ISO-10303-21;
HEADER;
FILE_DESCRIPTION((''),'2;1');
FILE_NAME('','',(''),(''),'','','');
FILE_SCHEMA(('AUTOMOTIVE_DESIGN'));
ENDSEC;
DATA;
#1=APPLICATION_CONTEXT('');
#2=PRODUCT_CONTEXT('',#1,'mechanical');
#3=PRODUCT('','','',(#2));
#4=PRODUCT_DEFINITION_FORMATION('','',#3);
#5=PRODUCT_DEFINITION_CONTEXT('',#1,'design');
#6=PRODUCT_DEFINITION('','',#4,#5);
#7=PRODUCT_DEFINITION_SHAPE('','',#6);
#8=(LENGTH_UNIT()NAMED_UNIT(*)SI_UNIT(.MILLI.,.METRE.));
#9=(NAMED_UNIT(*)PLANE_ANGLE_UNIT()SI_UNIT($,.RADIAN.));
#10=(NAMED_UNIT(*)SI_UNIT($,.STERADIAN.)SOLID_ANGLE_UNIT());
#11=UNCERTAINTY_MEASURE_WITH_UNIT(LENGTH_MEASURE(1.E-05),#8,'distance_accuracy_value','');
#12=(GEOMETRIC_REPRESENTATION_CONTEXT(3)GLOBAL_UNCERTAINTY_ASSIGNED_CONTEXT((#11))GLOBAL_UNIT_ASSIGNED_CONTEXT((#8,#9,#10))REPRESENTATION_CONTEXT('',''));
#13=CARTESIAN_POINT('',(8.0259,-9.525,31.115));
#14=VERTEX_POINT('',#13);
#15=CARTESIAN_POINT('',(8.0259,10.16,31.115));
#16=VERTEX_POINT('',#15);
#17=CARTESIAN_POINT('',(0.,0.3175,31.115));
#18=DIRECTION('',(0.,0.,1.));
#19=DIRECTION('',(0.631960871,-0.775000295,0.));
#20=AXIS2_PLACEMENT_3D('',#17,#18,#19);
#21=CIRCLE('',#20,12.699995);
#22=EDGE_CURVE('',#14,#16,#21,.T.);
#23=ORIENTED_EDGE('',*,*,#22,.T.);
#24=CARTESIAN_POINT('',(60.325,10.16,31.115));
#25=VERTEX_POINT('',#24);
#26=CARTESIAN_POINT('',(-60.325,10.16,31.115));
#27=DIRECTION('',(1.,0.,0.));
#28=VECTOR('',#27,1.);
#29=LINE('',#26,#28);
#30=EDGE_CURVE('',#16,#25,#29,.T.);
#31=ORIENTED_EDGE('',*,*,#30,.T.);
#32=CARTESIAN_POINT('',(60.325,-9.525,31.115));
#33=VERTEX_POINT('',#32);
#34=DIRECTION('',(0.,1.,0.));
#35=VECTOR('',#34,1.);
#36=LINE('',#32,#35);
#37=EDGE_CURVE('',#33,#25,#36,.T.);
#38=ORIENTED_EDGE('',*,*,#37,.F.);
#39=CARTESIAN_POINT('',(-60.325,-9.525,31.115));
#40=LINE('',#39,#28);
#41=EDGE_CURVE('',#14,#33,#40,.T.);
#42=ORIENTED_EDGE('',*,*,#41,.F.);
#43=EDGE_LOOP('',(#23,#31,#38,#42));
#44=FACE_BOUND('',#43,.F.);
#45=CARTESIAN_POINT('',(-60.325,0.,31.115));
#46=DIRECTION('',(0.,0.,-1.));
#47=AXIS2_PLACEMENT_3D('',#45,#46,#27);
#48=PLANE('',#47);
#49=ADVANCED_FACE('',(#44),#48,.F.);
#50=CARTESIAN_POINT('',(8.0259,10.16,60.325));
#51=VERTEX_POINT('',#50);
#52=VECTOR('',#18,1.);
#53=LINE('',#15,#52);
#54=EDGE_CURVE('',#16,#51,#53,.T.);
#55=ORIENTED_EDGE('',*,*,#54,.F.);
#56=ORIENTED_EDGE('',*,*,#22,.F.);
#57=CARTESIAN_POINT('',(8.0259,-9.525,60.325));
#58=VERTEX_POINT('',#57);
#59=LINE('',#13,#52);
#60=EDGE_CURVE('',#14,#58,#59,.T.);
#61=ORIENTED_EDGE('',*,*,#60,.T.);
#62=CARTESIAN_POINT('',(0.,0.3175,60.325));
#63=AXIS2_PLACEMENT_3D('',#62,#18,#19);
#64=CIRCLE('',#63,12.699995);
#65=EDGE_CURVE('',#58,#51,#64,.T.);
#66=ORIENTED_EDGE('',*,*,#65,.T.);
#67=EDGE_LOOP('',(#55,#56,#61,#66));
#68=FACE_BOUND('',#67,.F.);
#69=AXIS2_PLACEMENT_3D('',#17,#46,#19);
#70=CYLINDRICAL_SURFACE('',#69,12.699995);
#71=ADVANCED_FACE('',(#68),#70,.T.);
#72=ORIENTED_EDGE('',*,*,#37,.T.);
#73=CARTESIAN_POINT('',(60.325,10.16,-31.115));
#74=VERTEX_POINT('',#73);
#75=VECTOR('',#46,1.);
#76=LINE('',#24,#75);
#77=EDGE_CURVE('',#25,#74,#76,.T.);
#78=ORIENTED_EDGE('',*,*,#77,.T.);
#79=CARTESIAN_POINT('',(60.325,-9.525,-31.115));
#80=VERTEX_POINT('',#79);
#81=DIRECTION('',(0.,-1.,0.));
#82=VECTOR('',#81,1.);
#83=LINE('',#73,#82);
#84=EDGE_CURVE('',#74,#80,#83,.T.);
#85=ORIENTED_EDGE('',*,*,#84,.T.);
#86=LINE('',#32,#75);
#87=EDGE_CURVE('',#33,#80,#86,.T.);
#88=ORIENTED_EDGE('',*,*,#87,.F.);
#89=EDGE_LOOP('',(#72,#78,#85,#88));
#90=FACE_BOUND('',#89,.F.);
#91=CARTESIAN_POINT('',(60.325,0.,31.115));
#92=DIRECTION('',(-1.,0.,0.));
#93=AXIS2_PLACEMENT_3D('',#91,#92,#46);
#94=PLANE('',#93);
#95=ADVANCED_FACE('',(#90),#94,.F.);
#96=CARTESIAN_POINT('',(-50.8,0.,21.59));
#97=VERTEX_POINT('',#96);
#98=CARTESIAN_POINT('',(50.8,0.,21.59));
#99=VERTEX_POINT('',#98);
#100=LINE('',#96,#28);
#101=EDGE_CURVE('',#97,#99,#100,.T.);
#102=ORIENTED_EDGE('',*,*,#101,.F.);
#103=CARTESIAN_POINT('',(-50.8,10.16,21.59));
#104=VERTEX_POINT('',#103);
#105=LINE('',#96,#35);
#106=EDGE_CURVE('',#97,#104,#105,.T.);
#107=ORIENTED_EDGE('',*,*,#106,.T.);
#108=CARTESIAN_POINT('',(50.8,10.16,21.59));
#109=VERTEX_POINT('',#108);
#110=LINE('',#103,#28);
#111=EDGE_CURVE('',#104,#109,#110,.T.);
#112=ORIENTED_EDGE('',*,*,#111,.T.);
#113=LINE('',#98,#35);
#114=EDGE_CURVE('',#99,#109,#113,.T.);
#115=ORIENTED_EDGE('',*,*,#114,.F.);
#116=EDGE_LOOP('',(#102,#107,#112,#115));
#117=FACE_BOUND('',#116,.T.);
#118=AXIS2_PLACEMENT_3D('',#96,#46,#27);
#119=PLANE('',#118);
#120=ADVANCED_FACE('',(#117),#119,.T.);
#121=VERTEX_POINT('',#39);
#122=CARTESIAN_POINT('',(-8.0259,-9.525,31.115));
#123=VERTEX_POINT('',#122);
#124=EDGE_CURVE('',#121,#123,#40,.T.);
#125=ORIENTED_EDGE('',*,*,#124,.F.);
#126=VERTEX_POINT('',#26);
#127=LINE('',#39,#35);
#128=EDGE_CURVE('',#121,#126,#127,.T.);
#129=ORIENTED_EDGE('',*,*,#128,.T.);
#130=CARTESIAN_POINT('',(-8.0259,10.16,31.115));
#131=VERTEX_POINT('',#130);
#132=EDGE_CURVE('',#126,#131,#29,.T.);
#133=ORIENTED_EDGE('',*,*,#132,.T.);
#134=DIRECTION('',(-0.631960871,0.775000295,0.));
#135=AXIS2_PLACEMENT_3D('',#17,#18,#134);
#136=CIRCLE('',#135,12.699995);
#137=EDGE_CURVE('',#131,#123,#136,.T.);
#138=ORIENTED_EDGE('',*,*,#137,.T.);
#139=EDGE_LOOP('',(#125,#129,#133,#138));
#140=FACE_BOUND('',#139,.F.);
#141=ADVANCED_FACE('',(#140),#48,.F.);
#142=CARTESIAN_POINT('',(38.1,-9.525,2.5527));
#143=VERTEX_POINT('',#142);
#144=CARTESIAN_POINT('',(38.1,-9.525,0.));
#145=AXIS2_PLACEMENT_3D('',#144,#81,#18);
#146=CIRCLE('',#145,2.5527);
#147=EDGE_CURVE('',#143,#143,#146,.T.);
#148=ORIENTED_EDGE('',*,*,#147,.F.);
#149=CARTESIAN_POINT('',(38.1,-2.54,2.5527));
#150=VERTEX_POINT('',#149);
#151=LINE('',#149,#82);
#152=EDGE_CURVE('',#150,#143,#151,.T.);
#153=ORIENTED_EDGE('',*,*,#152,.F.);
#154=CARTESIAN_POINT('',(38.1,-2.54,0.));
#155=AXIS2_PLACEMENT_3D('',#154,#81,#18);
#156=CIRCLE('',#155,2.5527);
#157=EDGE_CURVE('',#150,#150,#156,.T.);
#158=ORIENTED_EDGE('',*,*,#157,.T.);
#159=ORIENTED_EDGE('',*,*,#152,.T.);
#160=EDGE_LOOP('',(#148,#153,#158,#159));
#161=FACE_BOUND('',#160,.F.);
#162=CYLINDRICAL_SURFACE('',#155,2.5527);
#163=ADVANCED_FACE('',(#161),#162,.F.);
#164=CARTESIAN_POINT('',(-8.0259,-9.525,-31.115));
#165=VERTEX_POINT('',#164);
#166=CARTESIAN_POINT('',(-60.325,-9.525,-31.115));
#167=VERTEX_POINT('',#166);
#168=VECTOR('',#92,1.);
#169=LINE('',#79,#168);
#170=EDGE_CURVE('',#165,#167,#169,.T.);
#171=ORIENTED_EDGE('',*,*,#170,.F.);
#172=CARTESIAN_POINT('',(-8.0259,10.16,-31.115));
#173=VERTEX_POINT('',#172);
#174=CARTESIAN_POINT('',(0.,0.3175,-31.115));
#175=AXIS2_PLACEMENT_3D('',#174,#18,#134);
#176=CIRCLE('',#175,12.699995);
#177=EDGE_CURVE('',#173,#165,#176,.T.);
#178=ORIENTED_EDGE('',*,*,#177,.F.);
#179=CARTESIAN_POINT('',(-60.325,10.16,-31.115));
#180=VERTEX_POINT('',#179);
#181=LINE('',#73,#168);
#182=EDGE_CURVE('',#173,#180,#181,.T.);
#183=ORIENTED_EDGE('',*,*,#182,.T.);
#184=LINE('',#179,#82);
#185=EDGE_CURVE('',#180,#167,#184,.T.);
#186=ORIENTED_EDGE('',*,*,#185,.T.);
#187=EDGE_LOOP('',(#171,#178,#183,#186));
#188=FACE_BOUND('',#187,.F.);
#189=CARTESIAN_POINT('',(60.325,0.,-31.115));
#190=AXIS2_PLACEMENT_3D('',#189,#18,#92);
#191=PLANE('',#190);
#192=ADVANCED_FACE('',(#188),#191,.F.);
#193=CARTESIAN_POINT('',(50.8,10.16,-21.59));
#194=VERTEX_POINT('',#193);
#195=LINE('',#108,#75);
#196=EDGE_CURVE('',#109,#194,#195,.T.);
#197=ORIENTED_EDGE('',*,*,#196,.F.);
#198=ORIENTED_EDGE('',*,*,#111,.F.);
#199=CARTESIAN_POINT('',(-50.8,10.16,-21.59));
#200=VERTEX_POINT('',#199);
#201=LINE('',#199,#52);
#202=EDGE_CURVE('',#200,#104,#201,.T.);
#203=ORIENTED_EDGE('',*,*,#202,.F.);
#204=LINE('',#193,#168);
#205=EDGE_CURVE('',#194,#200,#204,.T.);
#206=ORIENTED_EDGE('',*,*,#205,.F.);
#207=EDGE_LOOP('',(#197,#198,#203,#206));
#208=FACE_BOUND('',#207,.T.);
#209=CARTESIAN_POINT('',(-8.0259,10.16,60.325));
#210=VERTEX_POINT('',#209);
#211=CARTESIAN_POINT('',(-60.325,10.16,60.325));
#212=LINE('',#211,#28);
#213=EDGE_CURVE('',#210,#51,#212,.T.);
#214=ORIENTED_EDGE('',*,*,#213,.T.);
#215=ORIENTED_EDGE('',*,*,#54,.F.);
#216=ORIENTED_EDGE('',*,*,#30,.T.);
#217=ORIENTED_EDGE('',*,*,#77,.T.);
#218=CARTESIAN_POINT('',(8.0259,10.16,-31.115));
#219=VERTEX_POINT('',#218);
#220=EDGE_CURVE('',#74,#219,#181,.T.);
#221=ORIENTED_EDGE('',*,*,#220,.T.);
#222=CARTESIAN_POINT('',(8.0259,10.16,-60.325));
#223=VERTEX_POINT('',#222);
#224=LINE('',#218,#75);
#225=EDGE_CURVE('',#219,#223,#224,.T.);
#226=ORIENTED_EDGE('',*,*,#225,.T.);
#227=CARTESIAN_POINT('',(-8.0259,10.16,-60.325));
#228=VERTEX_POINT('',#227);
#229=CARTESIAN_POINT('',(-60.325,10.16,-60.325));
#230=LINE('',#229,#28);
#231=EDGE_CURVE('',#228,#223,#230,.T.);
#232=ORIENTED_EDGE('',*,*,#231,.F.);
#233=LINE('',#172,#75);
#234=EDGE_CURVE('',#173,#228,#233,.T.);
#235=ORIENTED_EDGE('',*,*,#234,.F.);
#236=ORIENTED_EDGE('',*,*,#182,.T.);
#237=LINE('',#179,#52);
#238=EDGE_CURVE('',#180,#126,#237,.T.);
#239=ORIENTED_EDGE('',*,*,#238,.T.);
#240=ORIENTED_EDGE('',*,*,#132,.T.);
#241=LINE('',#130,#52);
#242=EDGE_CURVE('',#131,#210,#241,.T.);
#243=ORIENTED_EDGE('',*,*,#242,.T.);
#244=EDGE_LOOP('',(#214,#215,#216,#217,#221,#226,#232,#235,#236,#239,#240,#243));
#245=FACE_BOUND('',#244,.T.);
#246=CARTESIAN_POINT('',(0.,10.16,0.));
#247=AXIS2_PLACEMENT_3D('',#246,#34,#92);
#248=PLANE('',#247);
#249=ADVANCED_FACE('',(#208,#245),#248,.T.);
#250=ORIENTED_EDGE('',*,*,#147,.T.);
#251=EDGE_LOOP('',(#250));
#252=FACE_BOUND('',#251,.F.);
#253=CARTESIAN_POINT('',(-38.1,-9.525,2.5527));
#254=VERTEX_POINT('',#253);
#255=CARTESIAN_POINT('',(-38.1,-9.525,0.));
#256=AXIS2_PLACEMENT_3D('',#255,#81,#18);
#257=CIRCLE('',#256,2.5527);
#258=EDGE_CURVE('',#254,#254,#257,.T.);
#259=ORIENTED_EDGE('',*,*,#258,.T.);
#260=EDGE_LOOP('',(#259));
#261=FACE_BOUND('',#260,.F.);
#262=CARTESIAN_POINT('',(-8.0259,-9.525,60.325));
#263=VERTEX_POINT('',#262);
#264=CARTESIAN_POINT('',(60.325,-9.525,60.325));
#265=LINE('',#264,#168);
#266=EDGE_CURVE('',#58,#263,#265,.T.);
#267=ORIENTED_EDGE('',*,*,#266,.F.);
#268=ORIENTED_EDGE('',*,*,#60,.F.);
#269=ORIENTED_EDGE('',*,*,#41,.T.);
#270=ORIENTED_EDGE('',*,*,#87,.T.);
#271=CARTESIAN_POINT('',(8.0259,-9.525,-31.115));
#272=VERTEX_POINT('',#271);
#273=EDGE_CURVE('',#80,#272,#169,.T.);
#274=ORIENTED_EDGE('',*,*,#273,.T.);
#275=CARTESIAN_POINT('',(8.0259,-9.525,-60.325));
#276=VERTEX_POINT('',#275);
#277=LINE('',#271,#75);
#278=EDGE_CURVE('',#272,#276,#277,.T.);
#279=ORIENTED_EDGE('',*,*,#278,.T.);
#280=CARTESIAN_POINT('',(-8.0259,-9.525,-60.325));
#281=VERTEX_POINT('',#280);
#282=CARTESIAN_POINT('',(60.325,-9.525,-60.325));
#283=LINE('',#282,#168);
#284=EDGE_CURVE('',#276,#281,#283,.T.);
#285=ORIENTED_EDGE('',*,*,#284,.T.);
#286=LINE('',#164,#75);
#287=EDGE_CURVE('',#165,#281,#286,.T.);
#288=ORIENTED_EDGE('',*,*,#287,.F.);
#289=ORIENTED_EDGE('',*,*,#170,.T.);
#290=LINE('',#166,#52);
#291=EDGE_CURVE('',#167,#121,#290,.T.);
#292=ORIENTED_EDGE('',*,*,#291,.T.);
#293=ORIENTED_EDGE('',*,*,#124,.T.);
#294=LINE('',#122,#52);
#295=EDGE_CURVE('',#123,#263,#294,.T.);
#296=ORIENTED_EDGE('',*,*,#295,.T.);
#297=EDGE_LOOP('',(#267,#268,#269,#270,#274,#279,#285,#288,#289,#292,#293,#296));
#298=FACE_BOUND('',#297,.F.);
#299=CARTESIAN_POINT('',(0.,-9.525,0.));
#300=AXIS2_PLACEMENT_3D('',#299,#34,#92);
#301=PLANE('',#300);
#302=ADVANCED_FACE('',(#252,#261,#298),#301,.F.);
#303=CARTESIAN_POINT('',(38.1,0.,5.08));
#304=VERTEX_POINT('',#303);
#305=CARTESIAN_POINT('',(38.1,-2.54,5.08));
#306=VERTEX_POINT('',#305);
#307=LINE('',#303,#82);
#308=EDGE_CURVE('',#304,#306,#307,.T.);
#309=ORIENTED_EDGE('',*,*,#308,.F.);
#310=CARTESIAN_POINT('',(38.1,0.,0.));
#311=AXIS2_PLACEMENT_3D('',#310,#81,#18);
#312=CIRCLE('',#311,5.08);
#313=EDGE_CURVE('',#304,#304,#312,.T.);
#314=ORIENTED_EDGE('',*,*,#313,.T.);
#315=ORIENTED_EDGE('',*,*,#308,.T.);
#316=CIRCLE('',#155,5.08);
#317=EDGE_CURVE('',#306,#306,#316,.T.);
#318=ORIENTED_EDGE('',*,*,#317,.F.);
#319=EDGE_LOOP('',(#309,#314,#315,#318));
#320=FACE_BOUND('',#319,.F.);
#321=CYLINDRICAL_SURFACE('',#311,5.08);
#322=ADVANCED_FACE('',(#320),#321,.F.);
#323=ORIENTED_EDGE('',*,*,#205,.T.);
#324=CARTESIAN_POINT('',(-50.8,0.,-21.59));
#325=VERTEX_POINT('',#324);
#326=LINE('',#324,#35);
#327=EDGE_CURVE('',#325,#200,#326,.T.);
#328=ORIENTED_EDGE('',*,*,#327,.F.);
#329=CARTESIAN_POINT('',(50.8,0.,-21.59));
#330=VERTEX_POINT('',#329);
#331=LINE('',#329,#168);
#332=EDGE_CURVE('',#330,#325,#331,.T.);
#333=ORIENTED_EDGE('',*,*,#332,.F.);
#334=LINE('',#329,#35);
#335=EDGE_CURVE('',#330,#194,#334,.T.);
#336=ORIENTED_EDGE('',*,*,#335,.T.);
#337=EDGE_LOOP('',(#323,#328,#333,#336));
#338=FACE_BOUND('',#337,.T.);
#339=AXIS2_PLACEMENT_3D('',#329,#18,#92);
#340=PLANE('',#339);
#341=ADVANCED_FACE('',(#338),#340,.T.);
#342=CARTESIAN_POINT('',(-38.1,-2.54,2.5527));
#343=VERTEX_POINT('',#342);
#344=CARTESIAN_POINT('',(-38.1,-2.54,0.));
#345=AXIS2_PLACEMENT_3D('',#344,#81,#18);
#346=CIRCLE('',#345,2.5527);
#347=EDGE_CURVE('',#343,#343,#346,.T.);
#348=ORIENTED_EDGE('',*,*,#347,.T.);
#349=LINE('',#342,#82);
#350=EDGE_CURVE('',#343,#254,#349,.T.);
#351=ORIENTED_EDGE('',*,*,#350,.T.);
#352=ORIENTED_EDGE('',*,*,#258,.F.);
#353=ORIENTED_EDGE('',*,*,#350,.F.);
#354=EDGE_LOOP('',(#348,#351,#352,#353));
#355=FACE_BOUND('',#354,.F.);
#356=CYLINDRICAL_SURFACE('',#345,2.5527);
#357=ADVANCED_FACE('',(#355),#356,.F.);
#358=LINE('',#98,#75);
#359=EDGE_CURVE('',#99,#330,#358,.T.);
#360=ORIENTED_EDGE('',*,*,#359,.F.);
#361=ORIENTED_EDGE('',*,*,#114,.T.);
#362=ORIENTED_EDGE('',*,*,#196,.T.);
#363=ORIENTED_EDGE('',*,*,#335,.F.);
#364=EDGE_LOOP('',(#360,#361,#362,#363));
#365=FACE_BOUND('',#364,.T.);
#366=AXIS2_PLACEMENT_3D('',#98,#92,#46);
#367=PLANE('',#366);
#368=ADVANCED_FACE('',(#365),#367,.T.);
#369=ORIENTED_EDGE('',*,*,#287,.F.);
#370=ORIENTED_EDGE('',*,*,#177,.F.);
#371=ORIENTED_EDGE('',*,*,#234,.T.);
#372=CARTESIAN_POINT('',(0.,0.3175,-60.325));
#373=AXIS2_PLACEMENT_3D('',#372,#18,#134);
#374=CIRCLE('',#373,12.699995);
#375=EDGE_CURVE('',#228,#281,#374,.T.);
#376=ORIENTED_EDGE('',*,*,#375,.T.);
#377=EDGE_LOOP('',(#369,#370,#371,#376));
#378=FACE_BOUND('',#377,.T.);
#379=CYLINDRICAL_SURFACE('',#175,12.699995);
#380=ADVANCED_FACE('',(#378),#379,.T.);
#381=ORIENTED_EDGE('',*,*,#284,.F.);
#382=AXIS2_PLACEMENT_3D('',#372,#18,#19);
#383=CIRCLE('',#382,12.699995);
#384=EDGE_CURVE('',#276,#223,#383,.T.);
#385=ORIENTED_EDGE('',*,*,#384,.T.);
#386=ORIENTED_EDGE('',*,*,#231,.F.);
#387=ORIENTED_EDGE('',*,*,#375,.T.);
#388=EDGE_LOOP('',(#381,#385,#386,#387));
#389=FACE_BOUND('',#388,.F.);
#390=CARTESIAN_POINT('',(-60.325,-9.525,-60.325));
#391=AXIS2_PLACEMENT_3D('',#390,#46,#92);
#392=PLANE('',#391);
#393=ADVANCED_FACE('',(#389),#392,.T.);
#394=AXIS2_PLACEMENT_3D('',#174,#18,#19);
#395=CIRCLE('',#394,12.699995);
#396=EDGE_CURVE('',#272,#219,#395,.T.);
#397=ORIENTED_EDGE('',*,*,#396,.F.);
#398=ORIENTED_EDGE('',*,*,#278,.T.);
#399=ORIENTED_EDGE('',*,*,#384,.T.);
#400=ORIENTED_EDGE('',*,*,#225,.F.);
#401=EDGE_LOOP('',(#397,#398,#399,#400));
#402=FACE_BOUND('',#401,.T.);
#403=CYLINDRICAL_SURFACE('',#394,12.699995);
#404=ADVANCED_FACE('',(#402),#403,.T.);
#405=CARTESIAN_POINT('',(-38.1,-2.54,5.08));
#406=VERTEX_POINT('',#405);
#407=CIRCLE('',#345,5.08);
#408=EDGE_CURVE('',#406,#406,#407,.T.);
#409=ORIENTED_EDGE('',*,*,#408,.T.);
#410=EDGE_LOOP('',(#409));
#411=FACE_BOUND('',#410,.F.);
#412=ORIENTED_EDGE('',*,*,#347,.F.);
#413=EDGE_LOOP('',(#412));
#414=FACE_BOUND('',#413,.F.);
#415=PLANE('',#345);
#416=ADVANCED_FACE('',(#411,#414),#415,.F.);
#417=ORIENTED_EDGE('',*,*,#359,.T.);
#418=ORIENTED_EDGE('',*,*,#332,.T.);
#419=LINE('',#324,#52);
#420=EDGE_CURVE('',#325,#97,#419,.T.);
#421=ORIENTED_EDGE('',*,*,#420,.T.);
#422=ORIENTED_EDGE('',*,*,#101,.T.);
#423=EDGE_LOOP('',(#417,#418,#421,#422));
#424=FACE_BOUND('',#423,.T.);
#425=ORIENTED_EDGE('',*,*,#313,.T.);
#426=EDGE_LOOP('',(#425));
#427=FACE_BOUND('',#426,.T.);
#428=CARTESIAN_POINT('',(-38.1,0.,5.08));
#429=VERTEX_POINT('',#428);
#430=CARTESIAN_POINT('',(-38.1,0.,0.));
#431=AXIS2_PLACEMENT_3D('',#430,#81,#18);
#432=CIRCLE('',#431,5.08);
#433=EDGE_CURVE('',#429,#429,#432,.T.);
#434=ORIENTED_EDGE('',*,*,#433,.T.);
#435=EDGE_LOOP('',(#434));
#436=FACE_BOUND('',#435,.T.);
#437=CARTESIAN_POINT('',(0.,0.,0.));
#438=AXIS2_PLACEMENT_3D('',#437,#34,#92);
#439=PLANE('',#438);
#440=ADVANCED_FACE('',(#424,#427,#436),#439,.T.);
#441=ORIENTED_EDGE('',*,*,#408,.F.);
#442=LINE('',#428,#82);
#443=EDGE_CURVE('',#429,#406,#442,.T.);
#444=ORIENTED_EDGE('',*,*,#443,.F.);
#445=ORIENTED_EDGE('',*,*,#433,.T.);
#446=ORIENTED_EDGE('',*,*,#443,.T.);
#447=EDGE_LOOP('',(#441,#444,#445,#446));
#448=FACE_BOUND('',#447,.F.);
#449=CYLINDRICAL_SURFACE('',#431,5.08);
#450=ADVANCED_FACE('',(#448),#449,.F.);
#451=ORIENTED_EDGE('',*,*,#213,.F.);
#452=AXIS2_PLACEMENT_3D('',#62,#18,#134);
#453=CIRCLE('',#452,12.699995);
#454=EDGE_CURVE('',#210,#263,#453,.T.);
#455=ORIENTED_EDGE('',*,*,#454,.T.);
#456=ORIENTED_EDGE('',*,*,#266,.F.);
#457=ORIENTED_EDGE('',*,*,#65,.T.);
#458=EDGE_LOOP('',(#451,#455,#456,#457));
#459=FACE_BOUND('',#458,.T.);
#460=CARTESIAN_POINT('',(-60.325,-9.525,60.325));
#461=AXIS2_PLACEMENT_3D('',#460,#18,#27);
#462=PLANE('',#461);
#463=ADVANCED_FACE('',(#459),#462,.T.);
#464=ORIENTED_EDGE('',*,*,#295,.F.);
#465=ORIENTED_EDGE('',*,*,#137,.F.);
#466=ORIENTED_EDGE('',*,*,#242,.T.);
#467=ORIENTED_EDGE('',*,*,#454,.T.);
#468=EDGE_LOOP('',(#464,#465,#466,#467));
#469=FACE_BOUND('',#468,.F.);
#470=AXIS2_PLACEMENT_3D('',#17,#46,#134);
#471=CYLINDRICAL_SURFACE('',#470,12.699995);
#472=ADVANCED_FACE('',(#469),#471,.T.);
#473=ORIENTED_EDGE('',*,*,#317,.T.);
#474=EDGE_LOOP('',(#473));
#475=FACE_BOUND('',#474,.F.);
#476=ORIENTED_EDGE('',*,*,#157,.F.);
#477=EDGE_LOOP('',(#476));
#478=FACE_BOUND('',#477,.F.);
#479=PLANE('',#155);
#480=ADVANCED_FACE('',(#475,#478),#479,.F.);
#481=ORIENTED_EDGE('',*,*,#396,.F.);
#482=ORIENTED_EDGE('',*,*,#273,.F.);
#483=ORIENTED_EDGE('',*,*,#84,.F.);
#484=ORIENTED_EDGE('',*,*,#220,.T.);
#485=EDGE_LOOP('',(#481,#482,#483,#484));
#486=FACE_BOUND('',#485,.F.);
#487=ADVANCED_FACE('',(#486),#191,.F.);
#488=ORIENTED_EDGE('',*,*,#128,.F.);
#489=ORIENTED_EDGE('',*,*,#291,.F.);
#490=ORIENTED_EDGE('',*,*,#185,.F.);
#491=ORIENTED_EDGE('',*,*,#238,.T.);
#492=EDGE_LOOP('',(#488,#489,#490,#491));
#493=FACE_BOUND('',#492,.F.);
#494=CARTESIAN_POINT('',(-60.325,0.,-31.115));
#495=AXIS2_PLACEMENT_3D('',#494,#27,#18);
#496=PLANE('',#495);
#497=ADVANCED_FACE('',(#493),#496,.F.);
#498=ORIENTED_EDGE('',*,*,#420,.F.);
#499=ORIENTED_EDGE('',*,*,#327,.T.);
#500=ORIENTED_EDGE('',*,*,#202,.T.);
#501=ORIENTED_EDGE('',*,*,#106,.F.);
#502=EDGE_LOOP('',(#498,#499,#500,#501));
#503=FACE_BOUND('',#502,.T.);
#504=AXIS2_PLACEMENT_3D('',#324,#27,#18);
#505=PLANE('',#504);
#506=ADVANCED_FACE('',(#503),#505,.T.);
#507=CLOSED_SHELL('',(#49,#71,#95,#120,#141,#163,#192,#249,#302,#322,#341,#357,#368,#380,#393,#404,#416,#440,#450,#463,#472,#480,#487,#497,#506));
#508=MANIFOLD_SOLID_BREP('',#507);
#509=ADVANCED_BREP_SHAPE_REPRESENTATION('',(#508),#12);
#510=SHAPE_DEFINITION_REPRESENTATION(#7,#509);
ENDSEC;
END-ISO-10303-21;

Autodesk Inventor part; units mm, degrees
ref_plane "YZ Plane" through (0, 0, 0) normal (1, 0, 0) x (0, 1, 0)
ref_plane "XZ Plane" through (0, 0, 0) normal (0, 1, 0) x (-1, 0, 0)
ref_plane "XY Plane" through (0, 0, 0) normal (0, 0, 1) x (1, 0, 0)
sketch "Sketch1" plane through (0, 0, 0) normal (0, 1, 0) x (-1, 0, 0)
  line L0 (50.8, 21.59) -> (-50.8, 21.59)
  line L1 (-50.8, 21.59) -> (-50.8, -21.59)
  line L2 (-50.8, -21.59) -> (50.8, -21.59)
  line L3 (50.8, -21.59) -> (50.8, 21.59)
  line L4 (50.8, 21.59) -> (-50.8, -21.59) construction
  line L5 (-50.8, 21.59) -> (50.8, -21.59) construction
  line L6 (60.325, 31.115) -> (-60.325, 31.115)
  line L7 (-60.325, 31.115) -> (-60.325, -31.115)
  line L8 (-60.325, -31.115) -> (60.325, -31.115)
  line L9 (60.325, -31.115) -> (60.325, 31.115)
  line L10 (60.325, 31.115) -> (-60.325, -31.115) construction
  line L11 (-60.325, 31.115) -> (60.325, -31.115) construction
  point P0 (0, 0)
extrude "Extrusion1" add sketch "Sketch1" against normal blind 9.525 contours L3 L2 L1 L0 | L9 L8 L7 L6
extrude "Extrusion2" add sketch "Sketch1" along normal blind 10.16
sketch "Sketch4" plane through (-60.325, -9.525, 31.115) normal (0, 0, 1) x (1, 0, 0)
  line L0 (0, 0) -> (0, 19.685) projected
  line L1 (120.65, 0) -> (0, 0) projected
  line L2 (0, 19.685) -> (120.65, 19.685) projected
  line L3 (9.525, 19.685) -> (111.125, 19.685) projected
  line L4 (52.2991, 19.685) -> (68.3509, 19.685)
  line L5 (0, 0) -> (120.65, 0) projected
  line L6 (52.2991, 0) -> (68.3509, 0)
  arc A0 (52.2991, 19.685) -> (52.2991, 0) centre (60.325, 9.8425) ccw
  arc A1 (68.3509, 0) -> (68.3509, 19.685) centre (60.325, 9.8425) ccw
  point P0 (60.325, 9.525)
  dimension "d10" = 9.8425
extrude "Extrusion4" add sketch "Sketch4" along normal blind 29.21 contours A0 L2 A1 L1
mirror "Mirror1" about plane through (0, 0, 0) normal (0, 0, 1) of "Extrusion4"
sketch "Sketch5" plane through (0, 0, 0) normal (0, 1, 0) x (1, 0, 0)
  line L0 (-50.8, 21.59) -> (-50.8, -21.59) projected
  line L1 (50.8, -21.59) -> (50.8, 21.59) projected
  point P0 (0, 0)
  point P1 (-38.1, 0)
  point P2 (38.1, 0)
  dimension "postHoleCenter" = 12.7
  dimension "d16" = 12.7
hole "Hole1" at (-38.1, 0, 0) at (38.1, 0, 0) direction (0, -1, 0) diameter 5.1054 end through all counterbore diameter 10.16 counterbore depth 2.54 clearance for "Hex Machine Screw" size "#10" standard "Ansi Unified Screw Threads"
equation "\"d4\" = wallThickness"
equation "\"d10\" = 0.5 * outerHeight"
equation "\"d13\" = -0.5 * outerWidth + 0.5 * overallWidth"
equation "\"d16\" = postHoleCenter"
equation "\"wallThickness\" = 9.525"
equation "\"outerWidth\" = innerWidth + 2 * wallThickness"
equation "\"outerLength\" = innerLength + 2 * wallThickness"
equation "\"outerHeight\" = innerDepth + wallThickness"
equation "\"shortenForTestPrint\" = 76.2"
equation "\"overallWidth\" = 120.65"
equation "\"innerWidth\" = 43.18"
equation "\"innerLength\" = 101.6"
equation "\"innerDepth\" = 10.16"
properties part number "connectorToTubeBrackets02"
